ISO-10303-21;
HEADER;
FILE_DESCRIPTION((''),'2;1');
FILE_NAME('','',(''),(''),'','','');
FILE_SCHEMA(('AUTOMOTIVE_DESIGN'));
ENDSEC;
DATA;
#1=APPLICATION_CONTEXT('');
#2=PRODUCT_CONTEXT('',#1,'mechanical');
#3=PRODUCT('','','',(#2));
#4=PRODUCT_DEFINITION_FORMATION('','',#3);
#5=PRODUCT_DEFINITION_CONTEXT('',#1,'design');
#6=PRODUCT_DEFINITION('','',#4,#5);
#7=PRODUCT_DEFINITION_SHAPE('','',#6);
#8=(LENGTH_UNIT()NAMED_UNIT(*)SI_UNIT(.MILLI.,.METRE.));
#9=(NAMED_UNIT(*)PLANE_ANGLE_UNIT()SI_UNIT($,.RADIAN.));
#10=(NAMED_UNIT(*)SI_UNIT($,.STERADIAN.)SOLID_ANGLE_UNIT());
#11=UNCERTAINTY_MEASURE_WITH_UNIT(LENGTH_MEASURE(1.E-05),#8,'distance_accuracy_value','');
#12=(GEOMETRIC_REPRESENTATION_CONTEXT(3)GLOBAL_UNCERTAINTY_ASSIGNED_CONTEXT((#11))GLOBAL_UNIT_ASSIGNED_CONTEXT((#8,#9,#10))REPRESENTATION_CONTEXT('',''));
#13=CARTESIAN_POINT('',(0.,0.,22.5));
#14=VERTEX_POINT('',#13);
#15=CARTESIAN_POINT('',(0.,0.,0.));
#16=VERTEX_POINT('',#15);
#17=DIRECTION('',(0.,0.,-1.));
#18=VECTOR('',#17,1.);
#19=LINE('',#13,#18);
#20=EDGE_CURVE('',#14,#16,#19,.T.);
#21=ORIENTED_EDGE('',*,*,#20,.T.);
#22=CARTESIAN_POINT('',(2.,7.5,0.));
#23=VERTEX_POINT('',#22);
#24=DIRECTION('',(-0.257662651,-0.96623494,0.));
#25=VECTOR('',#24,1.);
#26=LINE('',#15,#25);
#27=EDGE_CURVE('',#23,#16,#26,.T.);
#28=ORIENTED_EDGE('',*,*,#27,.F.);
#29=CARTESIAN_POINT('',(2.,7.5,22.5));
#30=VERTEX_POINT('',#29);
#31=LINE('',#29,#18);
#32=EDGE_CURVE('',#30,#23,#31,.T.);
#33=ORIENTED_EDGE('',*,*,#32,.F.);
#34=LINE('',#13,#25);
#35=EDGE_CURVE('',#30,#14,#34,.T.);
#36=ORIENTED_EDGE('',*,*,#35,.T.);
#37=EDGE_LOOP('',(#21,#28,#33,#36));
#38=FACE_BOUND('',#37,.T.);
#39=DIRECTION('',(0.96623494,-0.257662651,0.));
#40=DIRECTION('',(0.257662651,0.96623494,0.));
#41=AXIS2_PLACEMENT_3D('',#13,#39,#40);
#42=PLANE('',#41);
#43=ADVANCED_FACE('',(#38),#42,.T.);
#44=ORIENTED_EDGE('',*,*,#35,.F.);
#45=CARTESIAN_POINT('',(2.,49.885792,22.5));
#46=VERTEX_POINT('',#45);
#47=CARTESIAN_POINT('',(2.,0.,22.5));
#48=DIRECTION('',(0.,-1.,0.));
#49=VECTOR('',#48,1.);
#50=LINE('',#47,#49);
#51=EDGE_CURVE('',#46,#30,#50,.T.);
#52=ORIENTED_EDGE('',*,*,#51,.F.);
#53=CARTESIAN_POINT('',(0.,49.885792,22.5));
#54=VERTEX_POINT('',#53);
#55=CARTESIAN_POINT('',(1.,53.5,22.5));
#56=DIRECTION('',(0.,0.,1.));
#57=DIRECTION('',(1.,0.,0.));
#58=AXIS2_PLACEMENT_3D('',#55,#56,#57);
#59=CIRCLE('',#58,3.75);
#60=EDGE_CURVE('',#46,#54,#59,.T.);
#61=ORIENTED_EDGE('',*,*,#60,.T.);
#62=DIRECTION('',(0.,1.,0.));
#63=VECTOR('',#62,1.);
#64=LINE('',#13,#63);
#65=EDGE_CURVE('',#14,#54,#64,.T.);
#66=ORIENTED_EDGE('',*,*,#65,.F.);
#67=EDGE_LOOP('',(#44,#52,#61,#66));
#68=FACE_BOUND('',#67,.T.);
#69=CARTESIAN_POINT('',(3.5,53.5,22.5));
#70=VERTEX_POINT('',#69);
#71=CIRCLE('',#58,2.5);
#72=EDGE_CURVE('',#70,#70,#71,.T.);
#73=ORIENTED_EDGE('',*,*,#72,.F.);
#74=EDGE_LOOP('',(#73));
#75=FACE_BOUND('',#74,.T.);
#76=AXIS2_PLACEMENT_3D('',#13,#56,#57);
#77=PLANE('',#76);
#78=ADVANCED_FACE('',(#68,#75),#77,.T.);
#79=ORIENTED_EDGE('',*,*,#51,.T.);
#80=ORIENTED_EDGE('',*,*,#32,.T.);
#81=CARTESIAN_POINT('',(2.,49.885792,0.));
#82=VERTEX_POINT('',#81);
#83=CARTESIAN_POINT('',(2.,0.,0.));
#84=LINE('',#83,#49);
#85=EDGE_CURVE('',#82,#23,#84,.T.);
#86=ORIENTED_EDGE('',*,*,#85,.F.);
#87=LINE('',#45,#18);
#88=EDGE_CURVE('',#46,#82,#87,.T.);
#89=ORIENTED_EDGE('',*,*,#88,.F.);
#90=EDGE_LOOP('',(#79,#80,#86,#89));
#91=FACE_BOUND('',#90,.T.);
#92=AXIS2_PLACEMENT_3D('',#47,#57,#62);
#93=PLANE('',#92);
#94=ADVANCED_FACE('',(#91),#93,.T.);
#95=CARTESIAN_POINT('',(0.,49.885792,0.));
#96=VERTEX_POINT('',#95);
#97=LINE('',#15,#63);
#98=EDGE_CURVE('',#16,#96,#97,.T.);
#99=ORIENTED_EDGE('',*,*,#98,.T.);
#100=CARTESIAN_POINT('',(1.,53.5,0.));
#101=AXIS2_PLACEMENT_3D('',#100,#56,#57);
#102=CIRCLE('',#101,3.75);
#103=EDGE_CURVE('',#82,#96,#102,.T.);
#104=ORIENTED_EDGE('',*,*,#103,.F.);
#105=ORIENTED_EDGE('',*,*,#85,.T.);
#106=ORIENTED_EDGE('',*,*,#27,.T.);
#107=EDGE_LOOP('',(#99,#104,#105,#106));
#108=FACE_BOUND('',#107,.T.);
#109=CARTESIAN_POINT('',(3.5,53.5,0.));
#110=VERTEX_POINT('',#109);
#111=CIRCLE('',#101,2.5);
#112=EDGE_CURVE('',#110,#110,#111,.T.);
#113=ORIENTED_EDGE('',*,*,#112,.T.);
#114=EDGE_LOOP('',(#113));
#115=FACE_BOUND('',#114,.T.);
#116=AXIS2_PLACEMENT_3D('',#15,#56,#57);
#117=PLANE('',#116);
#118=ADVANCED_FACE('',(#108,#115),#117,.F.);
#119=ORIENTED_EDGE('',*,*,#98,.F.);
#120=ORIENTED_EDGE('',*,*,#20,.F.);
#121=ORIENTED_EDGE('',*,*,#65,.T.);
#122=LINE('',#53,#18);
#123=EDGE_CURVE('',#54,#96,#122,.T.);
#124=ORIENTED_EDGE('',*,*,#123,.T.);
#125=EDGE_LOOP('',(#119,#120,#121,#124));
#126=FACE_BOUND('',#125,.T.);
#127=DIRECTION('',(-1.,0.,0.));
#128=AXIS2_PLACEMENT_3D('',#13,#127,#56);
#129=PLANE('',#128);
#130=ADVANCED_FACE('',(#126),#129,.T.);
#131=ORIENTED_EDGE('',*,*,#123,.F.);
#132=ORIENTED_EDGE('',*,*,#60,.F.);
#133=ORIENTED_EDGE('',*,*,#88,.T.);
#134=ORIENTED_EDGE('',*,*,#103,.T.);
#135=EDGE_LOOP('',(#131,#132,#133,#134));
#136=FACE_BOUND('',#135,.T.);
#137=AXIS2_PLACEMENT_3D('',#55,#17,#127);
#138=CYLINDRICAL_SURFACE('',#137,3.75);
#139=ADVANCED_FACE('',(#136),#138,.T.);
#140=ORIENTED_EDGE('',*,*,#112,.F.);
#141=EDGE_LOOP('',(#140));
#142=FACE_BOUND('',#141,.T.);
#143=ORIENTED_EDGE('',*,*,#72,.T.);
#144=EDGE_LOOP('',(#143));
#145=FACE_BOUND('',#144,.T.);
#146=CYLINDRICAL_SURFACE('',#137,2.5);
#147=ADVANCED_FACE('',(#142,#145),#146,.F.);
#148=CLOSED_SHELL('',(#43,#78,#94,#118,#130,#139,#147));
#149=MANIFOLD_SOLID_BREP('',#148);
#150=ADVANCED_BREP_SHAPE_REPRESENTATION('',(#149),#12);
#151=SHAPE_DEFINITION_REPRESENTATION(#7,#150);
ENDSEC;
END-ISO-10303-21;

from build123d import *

# Parameters (mm, degrees)
CROQUIS1_R              = 3.75
CROQUIS1_R_2            = 2.5
SALIENTE_EXTRUIR1_DEPTH = 22.5


with BuildPart() as part:
    # Croquis1 → Saliente-Extruir1 (new body)
    with BuildSketch(Plane.XY):
        with Locations((1, 53.5)):
            Circle(CROQUIS1_R)
        with Locations((1, 53.5)):
            Circle(CROQUIS1_R_2, mode=Mode.SUBTRACT)
        with BuildLine():
            Line((0, 49.885791926), (0, 0))
            Line((0, 0), (2, 7.5))
            Line((2, 7.5), (2, 49.885791926))
            ThreePointArc((2, 49.885791926), (1, 49.75), (0, 49.885791926))
        make_face()
    extrude(amount=SALIENTE_EXTRUIR1_DEPTH)


solid = part.part
